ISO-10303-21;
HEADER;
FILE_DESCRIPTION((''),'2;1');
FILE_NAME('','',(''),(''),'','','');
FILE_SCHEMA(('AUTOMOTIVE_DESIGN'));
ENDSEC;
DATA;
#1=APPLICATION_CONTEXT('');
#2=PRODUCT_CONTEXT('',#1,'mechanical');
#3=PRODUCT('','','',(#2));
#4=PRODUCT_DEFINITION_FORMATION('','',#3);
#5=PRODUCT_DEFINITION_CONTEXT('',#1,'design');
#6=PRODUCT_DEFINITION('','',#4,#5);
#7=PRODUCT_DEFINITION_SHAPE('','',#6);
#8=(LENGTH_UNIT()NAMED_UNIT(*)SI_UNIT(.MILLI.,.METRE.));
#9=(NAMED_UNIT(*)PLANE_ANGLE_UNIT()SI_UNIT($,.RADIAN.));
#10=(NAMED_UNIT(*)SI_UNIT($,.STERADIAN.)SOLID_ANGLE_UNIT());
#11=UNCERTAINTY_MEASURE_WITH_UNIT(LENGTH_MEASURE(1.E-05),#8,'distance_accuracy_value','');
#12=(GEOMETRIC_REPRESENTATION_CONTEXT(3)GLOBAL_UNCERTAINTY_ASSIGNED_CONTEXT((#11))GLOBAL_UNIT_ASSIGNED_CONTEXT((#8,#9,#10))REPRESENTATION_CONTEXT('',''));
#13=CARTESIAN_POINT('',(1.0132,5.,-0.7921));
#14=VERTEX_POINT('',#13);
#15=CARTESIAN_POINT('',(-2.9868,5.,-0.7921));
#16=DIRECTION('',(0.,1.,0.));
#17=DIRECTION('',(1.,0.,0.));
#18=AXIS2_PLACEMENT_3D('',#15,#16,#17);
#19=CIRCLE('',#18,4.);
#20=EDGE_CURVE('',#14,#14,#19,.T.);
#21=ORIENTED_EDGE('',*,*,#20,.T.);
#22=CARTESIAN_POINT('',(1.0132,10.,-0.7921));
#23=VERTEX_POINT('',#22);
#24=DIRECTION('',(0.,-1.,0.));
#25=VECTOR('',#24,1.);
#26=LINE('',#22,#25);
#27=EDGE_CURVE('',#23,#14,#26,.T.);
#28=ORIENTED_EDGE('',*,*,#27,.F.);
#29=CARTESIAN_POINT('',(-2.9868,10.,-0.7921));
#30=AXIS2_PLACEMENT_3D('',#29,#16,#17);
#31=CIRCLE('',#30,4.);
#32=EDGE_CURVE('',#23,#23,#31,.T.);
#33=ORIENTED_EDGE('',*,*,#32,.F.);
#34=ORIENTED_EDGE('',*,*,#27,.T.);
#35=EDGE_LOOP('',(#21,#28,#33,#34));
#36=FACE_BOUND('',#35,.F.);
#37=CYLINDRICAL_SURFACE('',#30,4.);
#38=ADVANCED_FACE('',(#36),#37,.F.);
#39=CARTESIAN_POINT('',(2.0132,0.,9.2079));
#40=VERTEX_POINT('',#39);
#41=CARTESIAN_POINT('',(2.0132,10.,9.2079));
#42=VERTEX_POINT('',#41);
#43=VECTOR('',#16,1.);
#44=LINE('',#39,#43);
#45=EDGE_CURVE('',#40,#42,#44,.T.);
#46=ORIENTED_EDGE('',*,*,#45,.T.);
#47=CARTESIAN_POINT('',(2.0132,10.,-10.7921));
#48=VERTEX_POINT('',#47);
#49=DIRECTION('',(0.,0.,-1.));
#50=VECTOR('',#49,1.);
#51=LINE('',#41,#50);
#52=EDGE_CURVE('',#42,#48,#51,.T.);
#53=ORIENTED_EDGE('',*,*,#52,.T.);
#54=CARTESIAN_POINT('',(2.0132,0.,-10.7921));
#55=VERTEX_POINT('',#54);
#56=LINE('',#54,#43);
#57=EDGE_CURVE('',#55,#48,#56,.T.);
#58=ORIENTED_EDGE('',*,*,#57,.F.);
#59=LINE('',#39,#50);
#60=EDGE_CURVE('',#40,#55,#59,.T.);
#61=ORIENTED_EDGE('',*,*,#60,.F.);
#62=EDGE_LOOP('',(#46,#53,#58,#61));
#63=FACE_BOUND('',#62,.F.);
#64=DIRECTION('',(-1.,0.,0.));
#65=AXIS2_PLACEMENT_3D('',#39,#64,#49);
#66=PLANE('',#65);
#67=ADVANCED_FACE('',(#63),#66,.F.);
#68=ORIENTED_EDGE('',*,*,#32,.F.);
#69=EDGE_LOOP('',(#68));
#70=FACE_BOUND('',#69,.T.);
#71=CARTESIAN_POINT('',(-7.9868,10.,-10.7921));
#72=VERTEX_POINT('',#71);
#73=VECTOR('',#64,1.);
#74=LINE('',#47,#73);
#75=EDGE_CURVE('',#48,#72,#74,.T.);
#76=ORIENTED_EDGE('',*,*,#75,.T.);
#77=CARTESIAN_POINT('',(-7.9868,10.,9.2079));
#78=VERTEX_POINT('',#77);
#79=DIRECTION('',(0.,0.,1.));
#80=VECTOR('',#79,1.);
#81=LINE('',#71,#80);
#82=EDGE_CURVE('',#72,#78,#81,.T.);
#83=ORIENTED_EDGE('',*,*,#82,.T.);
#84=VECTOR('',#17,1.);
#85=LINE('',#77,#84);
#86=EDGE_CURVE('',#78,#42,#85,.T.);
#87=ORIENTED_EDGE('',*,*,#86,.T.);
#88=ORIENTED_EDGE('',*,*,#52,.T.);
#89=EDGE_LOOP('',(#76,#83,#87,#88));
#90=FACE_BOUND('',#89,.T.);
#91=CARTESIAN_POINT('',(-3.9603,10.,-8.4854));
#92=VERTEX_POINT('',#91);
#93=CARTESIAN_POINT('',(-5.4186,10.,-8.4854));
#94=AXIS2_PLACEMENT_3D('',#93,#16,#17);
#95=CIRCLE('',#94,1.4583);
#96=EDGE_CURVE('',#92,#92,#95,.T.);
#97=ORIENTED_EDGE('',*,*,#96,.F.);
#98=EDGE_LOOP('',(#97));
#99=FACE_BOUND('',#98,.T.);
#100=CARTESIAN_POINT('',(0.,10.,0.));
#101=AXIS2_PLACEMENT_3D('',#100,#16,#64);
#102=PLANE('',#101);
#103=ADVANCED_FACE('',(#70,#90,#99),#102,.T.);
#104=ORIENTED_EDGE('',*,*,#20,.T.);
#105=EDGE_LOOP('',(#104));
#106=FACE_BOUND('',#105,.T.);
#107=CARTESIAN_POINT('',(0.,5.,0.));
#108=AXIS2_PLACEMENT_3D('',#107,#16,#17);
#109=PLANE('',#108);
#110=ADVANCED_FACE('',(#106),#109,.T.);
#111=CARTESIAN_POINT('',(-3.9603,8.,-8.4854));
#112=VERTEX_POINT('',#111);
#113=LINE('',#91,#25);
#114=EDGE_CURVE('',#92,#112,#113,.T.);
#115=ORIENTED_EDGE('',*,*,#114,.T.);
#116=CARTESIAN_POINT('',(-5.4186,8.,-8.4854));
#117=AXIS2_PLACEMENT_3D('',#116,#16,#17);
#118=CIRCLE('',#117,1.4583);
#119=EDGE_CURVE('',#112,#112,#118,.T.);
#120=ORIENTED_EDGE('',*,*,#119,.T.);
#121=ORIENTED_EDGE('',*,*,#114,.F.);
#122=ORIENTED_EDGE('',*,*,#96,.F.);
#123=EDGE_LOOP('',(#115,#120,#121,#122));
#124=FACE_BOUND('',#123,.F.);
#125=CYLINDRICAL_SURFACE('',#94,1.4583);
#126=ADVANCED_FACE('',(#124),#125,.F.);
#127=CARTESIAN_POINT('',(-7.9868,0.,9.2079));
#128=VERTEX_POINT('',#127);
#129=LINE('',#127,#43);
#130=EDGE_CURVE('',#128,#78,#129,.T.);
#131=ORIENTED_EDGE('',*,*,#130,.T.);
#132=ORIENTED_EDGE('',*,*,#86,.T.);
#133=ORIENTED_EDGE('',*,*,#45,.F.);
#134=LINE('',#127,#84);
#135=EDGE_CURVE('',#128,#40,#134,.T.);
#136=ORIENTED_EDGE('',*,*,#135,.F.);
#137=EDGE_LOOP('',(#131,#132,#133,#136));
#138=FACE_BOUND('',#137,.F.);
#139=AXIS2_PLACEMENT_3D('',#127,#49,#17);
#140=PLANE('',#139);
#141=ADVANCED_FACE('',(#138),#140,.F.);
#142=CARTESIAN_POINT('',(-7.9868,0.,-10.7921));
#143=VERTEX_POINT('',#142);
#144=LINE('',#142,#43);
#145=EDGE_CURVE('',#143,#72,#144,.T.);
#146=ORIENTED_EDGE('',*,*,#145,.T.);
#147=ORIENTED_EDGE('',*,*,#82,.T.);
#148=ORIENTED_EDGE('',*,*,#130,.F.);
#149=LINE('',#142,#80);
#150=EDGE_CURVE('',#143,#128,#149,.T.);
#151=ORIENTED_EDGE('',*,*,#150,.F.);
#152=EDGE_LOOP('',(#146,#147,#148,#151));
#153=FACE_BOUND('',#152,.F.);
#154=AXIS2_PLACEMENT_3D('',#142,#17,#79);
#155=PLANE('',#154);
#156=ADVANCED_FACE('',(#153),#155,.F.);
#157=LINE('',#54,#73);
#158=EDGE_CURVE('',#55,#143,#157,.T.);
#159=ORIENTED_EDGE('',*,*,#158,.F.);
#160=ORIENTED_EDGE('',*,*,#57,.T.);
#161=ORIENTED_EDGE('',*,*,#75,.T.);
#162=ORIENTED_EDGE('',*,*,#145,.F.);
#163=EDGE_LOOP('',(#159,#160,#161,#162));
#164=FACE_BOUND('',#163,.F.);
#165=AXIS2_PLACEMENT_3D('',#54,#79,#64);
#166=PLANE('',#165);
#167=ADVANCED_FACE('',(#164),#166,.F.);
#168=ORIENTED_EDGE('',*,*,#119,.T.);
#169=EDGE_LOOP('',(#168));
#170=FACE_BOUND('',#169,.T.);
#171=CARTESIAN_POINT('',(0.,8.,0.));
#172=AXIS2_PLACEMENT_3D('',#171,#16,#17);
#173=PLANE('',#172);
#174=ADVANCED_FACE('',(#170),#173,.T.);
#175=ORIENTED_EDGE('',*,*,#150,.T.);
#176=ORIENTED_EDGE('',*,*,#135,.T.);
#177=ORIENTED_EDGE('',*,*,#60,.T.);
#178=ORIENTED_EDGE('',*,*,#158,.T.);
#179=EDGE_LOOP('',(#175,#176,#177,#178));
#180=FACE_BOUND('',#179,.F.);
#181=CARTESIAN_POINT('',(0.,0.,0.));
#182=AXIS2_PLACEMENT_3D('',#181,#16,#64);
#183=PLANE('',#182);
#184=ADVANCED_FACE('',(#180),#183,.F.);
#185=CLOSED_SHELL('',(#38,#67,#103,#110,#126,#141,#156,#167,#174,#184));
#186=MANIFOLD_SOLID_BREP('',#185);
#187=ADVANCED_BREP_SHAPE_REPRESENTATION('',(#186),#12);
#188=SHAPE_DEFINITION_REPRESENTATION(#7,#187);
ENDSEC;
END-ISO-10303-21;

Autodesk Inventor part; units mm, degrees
ref_plane "YZ Plane" through (0, 0, 0) normal (1, 0, 0) x (0, 1, 0)
ref_plane "XZ Plane" through (0, 0, 0) normal (0, 1, 0) x (-1, 0, 0)
ref_plane "XY Plane" through (0, 0, 0) normal (0, 0, 1) x (1, 0, 0)
sketch "Sketch1" plane through (0, 0, 0) normal (0, 1, 0) x (-1, 0, 0)
  line L0 (7.9868, 9.2079) -> (-2.0132, 9.2079)
  line L1 (-2.0132, 9.2079) -> (-2.0132, -10.7921)
  line L2 (-2.0132, -10.7921) -> (7.9868, -10.7921)
  line L3 (7.9868, -10.7921) -> (7.9868, 9.2079)
  point P0 (0, 0)
  dimension "height" = 20
  dimension "width" = 10
extrude "Extrusion1" add sketch "Sketch1" along normal blind 10
sketch "Sketch2" plane through (0, 10, 0) normal (0, 1, 0) x (1, 0, 0)
  line L0 (-7.9868, 10.7921) -> (-7.9868, -9.2079) construction
  line L1 (-7.9868, 0.7921) -> (2.0132, 0.7921) construction
  line L2 (2.0132, -9.2079) -> (2.0132, 10.7921) construction
  line L3 (-7.9868, -9.2079) -> (2.0132, -9.2079) construction
  line L4 (-2.9868, -9.2079) -> (-2.9868, 10.7921) construction
  line L5 (2.0132, 10.7921) -> (-7.9868, 10.7921) construction
  circle A0 centre (-2.9868, 0.7921) radius 4
  point P0 (0, 0)
  dimension "hole" = 8
extrude "Extrusion3" cut sketch "Sketch2" against normal blind 5
sketch "Sketch3" plane through (0, 10, 0) normal (0, 1, 0) x (1, 0, 0)
  circle A0 centre (-5.4186, 8.4854) radius 1.4583
  point P0 (0, 0)
extrude "Extrusion4" cut sketch "Sketch3" against normal blind 2
equation "\"width\" = 0.5 * height"
